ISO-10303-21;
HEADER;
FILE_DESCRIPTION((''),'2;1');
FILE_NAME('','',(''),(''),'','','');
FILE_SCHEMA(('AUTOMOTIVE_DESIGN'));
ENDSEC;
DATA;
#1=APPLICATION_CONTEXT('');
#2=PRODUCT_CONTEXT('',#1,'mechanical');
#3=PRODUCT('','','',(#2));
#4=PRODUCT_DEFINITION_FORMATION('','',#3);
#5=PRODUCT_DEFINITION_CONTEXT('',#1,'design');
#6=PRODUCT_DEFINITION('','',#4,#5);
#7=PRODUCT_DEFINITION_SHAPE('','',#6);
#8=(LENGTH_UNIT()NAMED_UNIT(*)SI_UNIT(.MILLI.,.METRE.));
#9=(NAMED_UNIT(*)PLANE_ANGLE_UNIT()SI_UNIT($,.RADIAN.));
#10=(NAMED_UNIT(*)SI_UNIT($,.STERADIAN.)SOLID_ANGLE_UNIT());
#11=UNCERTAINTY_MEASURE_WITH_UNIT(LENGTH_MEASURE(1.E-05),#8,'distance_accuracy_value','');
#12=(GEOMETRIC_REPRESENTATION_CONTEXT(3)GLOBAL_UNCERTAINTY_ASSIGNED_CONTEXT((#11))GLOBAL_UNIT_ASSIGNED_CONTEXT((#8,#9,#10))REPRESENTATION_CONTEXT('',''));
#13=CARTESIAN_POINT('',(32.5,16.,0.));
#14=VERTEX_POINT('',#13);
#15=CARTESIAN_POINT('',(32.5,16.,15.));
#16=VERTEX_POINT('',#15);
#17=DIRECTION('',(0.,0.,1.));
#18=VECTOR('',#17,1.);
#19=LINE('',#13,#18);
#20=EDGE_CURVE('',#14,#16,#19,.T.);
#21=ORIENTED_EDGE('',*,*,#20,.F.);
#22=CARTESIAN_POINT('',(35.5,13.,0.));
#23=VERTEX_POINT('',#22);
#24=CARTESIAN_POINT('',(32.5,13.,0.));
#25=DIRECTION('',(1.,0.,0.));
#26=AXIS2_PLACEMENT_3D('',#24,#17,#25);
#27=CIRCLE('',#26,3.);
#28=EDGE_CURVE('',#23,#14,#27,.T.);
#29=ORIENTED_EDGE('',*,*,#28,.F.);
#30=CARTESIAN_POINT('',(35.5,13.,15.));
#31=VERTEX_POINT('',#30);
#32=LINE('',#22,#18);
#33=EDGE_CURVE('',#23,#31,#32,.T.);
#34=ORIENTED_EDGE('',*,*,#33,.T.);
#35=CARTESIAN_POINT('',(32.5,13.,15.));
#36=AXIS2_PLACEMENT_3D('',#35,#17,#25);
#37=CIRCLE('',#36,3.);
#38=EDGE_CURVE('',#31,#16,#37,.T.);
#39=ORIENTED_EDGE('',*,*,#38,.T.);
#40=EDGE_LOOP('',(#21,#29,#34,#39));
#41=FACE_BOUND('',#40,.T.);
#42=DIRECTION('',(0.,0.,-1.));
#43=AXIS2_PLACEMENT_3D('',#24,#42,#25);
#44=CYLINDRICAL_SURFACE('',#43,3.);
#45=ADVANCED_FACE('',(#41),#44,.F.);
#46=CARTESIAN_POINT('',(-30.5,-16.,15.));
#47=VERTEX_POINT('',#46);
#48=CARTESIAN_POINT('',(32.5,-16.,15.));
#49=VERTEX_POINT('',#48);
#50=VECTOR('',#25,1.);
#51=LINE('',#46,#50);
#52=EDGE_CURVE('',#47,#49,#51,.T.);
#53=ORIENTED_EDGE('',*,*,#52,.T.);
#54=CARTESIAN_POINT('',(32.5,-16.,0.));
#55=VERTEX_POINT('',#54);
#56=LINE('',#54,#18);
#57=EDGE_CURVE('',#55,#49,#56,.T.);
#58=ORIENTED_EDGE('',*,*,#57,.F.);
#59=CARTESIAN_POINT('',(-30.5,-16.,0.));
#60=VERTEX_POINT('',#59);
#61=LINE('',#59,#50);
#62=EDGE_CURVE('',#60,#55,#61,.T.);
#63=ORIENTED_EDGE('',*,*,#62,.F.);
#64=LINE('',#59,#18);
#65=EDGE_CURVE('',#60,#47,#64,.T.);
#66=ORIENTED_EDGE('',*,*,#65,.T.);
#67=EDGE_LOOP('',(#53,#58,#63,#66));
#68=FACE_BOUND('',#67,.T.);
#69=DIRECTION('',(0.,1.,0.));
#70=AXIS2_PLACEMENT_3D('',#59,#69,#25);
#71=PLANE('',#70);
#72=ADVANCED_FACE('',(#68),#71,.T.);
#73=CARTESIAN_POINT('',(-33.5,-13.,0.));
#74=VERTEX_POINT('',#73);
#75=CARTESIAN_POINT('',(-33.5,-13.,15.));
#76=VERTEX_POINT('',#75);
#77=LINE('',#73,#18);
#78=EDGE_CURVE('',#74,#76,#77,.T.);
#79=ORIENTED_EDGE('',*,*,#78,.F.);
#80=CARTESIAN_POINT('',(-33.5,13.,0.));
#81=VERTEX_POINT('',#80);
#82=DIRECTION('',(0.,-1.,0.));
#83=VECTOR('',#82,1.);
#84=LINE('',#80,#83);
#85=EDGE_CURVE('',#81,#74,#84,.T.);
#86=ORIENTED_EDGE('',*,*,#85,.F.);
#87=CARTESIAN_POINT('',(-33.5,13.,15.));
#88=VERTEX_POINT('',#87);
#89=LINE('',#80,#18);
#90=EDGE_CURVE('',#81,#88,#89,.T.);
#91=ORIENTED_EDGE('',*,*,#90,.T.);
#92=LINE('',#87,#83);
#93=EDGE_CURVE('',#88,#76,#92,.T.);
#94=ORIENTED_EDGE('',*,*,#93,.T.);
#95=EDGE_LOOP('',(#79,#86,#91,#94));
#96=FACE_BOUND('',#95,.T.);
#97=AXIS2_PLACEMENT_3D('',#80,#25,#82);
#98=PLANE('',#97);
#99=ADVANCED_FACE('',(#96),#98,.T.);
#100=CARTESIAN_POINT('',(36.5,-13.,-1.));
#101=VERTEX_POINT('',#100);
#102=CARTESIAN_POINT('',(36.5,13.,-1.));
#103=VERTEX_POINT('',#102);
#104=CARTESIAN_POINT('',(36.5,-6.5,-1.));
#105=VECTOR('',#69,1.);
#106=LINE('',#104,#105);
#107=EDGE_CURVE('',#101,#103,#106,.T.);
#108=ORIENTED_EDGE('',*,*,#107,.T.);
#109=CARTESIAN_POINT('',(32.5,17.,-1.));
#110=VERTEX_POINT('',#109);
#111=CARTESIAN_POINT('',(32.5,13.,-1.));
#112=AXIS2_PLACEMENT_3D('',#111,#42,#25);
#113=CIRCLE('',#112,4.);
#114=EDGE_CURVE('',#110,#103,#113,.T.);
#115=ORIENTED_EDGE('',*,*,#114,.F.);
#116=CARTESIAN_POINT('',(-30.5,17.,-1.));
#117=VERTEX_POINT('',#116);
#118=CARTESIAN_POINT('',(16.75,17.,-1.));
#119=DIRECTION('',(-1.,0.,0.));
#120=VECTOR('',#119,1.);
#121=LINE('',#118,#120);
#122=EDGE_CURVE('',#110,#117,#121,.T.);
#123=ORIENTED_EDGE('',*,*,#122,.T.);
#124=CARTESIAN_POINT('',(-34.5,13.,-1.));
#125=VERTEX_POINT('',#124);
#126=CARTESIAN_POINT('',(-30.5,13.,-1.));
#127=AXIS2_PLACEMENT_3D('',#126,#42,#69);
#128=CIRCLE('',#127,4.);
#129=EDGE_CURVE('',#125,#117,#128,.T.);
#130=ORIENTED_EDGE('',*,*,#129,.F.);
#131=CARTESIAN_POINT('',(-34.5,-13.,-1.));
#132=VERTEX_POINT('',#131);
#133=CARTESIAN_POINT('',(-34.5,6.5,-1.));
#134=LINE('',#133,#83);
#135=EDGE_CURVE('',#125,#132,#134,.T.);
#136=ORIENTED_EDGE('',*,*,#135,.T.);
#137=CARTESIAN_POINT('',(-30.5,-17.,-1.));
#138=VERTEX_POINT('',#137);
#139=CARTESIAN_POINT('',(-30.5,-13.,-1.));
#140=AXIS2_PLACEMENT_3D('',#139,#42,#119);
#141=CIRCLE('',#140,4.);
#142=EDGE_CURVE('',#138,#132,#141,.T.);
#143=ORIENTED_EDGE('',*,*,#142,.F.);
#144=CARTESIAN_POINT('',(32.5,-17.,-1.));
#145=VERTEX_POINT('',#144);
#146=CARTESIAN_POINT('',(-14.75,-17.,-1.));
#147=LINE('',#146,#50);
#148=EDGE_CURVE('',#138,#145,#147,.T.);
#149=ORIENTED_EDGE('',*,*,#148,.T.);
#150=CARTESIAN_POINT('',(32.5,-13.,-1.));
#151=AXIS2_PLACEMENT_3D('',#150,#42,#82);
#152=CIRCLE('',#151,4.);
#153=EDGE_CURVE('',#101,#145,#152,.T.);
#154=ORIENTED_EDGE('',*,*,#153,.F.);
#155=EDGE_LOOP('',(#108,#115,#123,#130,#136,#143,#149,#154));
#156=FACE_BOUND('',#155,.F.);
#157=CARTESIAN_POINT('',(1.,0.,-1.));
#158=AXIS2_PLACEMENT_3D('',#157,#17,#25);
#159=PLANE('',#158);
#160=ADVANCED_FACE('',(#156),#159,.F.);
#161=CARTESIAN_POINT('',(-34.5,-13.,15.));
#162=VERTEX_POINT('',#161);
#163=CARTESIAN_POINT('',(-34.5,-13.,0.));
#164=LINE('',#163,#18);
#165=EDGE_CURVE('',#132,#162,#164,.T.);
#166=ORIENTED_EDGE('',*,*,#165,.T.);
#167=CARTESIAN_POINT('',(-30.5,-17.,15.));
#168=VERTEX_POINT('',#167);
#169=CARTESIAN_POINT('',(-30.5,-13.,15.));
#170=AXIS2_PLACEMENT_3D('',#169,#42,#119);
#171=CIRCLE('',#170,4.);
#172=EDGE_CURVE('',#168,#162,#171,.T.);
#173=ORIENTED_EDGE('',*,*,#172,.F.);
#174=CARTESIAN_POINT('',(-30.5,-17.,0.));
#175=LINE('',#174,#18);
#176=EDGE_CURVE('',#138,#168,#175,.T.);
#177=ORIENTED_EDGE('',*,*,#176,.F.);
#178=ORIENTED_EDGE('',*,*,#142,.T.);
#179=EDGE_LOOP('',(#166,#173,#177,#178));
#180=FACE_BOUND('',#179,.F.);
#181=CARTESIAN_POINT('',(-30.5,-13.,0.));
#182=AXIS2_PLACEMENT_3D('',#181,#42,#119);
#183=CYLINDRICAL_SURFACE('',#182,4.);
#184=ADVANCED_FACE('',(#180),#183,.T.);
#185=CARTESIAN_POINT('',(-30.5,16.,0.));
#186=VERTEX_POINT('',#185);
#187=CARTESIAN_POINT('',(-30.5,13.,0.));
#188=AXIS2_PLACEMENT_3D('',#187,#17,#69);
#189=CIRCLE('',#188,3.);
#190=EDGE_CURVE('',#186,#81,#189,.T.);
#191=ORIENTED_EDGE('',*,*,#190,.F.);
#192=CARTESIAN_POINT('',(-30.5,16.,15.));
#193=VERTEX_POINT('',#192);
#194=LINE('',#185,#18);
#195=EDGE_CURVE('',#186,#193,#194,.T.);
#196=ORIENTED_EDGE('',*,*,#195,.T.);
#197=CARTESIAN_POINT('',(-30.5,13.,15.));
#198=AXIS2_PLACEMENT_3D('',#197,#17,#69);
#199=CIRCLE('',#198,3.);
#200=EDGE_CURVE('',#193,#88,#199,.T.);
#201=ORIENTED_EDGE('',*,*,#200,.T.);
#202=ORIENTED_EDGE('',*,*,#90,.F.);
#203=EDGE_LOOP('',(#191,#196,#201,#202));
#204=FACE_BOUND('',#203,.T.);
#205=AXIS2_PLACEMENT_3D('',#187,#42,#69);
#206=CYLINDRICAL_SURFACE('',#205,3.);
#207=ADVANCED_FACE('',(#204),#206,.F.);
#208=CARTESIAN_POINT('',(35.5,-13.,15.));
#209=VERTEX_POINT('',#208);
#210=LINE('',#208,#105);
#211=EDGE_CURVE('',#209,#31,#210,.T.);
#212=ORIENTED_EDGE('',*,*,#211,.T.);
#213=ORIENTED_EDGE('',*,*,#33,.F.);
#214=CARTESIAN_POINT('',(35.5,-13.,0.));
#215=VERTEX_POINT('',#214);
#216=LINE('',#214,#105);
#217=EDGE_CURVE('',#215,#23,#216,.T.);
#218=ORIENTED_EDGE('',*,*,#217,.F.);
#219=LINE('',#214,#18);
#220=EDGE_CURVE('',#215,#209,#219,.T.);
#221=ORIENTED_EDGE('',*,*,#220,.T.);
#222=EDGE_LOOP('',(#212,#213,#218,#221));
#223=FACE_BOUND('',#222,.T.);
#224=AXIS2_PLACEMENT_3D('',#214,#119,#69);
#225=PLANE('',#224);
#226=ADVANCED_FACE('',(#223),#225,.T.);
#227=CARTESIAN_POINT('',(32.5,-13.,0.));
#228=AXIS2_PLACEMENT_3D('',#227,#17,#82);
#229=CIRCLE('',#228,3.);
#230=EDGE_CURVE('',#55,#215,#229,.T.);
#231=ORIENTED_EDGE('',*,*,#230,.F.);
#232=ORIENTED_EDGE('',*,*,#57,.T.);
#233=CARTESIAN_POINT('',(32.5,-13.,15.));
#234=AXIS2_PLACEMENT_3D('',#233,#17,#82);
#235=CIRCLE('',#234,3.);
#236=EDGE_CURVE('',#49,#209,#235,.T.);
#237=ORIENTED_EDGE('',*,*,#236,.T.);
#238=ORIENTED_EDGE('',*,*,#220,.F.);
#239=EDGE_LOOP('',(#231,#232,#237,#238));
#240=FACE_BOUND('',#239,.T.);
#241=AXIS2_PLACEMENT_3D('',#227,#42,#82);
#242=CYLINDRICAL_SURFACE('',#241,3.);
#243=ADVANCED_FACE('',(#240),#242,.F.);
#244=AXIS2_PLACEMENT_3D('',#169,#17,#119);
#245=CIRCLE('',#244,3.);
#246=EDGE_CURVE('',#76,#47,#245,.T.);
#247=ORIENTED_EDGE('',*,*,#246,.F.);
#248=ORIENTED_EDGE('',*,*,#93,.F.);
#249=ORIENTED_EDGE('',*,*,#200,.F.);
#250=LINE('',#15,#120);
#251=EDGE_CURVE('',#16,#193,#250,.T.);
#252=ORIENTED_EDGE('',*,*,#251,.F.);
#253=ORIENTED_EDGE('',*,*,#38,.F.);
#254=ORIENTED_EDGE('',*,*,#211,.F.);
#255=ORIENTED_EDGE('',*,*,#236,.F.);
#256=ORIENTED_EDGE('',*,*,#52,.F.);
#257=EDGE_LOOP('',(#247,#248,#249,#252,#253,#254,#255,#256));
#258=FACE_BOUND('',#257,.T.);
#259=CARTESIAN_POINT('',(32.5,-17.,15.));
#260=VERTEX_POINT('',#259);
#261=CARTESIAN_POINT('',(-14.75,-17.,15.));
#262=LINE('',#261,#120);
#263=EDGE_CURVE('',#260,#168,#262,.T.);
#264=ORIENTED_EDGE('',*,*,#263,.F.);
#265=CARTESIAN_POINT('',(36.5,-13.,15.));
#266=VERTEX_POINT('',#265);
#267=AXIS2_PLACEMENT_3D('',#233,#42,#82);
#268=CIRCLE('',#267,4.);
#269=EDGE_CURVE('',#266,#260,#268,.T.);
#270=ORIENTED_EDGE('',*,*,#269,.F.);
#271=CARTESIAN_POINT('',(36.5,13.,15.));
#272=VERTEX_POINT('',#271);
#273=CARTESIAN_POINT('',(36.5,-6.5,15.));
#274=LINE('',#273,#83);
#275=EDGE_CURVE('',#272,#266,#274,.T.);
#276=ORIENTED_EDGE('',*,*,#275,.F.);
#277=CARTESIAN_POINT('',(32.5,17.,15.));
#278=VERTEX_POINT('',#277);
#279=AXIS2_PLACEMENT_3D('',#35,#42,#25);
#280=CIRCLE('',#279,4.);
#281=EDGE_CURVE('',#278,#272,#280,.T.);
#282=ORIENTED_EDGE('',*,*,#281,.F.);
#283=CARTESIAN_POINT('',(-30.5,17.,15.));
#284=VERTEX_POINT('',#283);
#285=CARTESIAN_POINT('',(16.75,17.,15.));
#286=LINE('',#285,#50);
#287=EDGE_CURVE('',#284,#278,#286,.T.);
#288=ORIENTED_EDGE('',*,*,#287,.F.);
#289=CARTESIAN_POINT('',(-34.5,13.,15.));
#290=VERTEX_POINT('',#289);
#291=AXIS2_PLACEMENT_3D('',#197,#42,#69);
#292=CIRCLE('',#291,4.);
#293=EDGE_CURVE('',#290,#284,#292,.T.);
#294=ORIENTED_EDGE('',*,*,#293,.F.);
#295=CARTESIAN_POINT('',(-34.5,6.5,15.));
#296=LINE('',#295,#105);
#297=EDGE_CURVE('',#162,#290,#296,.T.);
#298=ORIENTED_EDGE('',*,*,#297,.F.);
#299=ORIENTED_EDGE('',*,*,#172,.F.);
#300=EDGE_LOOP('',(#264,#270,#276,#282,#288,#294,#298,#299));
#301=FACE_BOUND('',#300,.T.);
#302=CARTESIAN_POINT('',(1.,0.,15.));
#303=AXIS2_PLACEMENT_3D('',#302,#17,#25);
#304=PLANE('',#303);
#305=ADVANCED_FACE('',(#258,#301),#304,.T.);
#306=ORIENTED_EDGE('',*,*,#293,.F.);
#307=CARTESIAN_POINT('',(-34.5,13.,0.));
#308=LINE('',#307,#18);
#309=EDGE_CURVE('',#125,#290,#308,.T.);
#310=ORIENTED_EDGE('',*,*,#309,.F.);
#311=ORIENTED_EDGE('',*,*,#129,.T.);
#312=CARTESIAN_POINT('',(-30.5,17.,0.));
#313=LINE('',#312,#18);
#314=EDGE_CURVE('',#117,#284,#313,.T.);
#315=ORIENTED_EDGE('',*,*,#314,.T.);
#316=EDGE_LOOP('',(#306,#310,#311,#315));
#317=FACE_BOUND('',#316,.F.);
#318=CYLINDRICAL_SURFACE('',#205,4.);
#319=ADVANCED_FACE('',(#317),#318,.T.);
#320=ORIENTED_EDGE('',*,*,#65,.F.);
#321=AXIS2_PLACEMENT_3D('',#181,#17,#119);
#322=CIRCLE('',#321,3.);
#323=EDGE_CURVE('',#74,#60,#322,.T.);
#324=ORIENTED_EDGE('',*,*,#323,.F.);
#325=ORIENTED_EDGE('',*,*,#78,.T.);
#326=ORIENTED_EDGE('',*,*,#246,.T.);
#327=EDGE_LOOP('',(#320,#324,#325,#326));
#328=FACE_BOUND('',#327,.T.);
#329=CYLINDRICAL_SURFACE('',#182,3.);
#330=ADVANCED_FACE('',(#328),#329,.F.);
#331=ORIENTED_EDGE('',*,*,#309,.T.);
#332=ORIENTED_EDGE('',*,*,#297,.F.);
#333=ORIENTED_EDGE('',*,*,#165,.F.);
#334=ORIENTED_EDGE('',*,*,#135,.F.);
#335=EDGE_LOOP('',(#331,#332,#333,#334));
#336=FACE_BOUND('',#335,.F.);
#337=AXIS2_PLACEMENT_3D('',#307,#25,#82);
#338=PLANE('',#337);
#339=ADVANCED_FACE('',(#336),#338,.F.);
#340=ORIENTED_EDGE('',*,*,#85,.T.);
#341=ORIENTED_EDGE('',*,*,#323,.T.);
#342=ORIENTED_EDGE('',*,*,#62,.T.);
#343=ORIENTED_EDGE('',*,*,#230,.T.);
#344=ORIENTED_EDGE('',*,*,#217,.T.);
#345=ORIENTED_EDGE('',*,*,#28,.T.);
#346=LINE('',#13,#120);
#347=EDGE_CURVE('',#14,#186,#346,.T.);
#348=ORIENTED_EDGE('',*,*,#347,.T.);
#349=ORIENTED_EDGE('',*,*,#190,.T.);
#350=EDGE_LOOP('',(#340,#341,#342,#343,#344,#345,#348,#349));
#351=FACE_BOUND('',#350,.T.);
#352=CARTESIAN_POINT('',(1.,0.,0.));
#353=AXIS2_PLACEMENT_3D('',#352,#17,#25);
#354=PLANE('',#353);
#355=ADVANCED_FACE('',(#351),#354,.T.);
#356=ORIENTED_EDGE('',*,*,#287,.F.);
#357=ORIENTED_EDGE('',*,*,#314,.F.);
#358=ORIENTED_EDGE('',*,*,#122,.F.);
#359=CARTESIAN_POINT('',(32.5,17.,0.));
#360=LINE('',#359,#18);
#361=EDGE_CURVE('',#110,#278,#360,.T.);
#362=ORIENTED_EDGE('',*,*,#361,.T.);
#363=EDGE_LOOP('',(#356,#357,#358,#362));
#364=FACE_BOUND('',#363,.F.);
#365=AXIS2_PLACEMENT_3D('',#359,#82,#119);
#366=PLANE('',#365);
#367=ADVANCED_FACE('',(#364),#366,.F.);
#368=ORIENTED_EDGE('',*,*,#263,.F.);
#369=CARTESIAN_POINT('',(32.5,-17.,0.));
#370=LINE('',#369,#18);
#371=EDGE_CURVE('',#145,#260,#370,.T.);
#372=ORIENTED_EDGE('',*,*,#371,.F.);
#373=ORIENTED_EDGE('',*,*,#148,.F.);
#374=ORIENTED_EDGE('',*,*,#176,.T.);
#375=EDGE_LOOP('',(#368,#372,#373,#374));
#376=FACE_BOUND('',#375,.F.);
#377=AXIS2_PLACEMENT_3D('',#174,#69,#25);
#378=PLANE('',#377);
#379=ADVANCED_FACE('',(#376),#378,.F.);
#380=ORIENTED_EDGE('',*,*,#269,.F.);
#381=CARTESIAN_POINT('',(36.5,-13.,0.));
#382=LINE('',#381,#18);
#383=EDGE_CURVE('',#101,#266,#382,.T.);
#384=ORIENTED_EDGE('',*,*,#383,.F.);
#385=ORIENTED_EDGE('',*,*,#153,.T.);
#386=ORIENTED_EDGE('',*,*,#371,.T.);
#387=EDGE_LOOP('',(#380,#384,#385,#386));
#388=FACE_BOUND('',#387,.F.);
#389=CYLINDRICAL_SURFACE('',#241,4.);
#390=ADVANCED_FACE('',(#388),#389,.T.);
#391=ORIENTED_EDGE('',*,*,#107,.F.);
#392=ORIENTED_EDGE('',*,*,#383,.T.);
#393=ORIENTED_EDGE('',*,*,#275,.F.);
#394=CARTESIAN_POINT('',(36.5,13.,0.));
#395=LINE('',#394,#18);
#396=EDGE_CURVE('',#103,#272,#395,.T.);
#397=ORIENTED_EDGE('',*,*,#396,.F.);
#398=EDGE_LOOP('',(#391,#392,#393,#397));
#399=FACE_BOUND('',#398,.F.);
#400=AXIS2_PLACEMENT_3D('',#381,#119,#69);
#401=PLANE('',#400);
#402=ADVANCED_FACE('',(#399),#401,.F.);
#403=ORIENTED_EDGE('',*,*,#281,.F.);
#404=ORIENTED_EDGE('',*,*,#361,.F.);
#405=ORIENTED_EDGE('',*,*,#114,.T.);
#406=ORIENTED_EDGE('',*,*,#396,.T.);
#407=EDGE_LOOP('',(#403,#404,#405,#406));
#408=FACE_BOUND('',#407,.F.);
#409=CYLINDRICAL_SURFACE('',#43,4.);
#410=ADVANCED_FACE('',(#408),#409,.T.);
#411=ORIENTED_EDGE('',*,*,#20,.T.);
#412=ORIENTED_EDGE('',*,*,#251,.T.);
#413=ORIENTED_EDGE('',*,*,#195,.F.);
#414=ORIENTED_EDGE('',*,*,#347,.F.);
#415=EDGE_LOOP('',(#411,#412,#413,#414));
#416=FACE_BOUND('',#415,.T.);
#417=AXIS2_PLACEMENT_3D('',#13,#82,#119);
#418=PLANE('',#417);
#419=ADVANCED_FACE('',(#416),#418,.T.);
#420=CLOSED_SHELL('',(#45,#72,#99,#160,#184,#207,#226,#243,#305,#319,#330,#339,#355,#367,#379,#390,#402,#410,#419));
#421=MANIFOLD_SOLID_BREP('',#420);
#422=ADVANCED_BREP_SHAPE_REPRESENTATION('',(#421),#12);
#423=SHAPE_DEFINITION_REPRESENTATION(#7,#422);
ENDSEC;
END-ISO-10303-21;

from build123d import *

# Parameters (mm, degrees)
F2_DEPTH = 15
F3_T     = 1


with BuildPart() as f2:
    # F1 (on Top) → F2 (new body)
    with BuildSketch(Plane.XY):
        with BuildLine():
            Line((35.5, -13), (35.5, -9))
            Line((35.5, -9), (35.5, 9))
            Line((35.5, 9), (35.5, 13))
            ThreePointArc((35.5, 13), (34.6213203436, 15.1213203436), (32.5, 16))
            Line((32.5, 16), (30.5, 16))
            Line((30.5, 16), (-30.5, 16))
            ThreePointArc((-30.5, 16), (-32.6213203436, 15.1213203436), (-33.5, 13))
            Line((-33.5, 13), (-33.5, -13))
            ThreePointArc((-33.5, -13), (-32.6213203436, -15.1213203436), (-30.5, -16))
            Line((-30.5, -16), (30.5, -16))
            Line((30.5, -16), (32.5, -16))
            ThreePointArc((32.5, -16), (34.6213203436, -15.1213203436), (35.5, -13))
        make_face()
    extrude(amount=F2_DEPTH)

    # F3
    f3_openings = [f2.faces().sort_by_distance(p)[0] for p in [
        (1, 0, 15),
    ]]
    offset(amount=F3_T, openings=f3_openings, kind=Kind.INTERSECTION)


solid = f2.part
